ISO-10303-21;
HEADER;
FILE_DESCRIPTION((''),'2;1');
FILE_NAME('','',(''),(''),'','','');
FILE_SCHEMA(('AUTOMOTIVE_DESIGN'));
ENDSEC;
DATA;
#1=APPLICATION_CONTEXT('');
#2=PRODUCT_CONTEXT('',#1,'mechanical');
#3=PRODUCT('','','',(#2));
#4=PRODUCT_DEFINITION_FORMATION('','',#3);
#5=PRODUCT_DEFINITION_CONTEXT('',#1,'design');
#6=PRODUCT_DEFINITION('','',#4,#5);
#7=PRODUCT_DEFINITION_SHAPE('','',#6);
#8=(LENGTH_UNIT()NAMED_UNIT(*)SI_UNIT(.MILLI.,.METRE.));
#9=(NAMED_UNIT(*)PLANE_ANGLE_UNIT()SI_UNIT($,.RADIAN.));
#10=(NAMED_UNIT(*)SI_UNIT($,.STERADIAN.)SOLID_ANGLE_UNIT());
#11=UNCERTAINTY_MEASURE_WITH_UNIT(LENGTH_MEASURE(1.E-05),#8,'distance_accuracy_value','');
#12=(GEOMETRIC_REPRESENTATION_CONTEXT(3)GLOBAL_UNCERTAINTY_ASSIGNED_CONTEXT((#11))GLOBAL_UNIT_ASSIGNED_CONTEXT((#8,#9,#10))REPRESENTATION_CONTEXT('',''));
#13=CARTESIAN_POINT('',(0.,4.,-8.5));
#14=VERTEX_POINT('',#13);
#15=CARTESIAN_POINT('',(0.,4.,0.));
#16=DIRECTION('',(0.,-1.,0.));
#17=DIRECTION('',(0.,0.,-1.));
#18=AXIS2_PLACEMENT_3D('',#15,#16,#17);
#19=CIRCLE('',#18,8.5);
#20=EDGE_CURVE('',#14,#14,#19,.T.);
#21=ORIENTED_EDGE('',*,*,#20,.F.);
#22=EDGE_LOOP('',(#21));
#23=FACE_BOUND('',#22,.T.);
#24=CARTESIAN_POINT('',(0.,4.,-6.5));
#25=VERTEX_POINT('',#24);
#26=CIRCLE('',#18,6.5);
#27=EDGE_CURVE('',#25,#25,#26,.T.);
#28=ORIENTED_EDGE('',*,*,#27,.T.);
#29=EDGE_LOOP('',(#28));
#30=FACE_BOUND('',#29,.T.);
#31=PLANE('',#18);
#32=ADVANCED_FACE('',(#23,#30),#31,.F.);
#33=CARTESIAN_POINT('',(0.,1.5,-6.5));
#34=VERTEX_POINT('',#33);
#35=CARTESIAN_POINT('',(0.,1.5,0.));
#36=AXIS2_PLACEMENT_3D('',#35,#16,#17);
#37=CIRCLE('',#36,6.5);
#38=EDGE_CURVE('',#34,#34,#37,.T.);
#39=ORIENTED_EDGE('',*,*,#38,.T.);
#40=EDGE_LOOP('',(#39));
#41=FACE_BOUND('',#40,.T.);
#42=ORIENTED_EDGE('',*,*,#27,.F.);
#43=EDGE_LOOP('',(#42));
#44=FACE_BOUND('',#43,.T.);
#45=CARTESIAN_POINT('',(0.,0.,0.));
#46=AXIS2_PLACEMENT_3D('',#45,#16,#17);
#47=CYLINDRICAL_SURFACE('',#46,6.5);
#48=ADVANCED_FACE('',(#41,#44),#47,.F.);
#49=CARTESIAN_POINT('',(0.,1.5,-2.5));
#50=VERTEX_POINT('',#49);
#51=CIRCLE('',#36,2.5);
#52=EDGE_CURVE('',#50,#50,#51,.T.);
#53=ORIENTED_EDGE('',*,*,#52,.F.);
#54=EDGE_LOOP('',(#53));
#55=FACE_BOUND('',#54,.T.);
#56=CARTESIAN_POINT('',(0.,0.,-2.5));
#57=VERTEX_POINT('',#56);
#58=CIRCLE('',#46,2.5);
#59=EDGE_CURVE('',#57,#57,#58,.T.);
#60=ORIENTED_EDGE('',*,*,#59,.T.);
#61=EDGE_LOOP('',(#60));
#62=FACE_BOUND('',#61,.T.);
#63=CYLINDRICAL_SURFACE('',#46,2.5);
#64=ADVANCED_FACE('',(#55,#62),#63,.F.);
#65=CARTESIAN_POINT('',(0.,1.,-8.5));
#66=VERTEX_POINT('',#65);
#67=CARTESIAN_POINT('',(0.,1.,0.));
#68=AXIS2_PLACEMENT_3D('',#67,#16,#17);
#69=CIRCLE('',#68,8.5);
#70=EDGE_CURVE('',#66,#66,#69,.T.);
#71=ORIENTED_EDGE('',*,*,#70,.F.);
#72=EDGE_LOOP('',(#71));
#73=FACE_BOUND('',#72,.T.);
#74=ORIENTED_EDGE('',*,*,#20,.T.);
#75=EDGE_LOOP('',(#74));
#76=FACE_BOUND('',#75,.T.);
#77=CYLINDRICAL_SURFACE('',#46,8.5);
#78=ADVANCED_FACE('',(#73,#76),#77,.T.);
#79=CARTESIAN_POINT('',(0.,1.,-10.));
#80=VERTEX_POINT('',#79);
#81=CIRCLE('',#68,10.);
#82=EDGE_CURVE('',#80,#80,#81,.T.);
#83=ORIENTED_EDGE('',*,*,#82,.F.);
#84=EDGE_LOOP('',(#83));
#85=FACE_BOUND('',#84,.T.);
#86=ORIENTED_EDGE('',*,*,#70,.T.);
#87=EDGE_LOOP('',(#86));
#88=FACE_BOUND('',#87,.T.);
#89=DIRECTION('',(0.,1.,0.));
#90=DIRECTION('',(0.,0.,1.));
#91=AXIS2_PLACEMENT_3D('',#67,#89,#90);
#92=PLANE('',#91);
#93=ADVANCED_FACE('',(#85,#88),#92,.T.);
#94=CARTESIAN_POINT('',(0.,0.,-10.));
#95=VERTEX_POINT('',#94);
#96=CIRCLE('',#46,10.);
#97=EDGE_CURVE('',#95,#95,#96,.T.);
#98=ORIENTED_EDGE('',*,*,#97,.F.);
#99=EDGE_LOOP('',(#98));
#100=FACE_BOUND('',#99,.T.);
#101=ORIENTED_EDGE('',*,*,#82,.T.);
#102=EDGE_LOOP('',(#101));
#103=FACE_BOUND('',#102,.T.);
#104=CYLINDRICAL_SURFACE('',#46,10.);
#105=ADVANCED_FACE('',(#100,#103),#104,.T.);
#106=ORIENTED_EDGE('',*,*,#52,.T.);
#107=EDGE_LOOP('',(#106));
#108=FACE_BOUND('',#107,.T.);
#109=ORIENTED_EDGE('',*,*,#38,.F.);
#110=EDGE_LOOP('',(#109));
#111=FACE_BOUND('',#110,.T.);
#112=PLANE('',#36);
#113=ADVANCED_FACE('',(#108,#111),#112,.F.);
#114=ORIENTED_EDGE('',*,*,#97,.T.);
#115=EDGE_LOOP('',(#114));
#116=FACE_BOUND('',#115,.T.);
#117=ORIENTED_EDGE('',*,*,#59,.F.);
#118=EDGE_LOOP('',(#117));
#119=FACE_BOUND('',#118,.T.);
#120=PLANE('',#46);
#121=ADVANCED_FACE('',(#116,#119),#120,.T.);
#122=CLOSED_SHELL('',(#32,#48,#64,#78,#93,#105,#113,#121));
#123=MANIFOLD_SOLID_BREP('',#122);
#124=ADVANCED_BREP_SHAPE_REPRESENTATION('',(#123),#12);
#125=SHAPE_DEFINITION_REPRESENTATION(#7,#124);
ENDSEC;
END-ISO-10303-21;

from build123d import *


with BuildPart() as part:
    # Sketch1 → Revolve1 (revolve)
    with BuildSketch(Plane(origin=(0, 0, 0), x_dir=(0, 0, -1), z_dir=(1, 0, 0)), mode=Mode.PRIVATE) as revolve1_sk:
        Polygon((-10, 1), (-8.5, 1), (-8.5, 4), (-6.5, 4), (-6.5, 1.5), (-2.5, 1.5), (-2.5, 0), (-7.4050124, 0), (-10, 0), align=None)
    revolve(revolve1_sk.sketch.rotate(Axis((0, 0, 0), (0, 1, 0)), 180), axis=Axis((0, 0, 0), (0, 1, 0)))


solid = part.part
